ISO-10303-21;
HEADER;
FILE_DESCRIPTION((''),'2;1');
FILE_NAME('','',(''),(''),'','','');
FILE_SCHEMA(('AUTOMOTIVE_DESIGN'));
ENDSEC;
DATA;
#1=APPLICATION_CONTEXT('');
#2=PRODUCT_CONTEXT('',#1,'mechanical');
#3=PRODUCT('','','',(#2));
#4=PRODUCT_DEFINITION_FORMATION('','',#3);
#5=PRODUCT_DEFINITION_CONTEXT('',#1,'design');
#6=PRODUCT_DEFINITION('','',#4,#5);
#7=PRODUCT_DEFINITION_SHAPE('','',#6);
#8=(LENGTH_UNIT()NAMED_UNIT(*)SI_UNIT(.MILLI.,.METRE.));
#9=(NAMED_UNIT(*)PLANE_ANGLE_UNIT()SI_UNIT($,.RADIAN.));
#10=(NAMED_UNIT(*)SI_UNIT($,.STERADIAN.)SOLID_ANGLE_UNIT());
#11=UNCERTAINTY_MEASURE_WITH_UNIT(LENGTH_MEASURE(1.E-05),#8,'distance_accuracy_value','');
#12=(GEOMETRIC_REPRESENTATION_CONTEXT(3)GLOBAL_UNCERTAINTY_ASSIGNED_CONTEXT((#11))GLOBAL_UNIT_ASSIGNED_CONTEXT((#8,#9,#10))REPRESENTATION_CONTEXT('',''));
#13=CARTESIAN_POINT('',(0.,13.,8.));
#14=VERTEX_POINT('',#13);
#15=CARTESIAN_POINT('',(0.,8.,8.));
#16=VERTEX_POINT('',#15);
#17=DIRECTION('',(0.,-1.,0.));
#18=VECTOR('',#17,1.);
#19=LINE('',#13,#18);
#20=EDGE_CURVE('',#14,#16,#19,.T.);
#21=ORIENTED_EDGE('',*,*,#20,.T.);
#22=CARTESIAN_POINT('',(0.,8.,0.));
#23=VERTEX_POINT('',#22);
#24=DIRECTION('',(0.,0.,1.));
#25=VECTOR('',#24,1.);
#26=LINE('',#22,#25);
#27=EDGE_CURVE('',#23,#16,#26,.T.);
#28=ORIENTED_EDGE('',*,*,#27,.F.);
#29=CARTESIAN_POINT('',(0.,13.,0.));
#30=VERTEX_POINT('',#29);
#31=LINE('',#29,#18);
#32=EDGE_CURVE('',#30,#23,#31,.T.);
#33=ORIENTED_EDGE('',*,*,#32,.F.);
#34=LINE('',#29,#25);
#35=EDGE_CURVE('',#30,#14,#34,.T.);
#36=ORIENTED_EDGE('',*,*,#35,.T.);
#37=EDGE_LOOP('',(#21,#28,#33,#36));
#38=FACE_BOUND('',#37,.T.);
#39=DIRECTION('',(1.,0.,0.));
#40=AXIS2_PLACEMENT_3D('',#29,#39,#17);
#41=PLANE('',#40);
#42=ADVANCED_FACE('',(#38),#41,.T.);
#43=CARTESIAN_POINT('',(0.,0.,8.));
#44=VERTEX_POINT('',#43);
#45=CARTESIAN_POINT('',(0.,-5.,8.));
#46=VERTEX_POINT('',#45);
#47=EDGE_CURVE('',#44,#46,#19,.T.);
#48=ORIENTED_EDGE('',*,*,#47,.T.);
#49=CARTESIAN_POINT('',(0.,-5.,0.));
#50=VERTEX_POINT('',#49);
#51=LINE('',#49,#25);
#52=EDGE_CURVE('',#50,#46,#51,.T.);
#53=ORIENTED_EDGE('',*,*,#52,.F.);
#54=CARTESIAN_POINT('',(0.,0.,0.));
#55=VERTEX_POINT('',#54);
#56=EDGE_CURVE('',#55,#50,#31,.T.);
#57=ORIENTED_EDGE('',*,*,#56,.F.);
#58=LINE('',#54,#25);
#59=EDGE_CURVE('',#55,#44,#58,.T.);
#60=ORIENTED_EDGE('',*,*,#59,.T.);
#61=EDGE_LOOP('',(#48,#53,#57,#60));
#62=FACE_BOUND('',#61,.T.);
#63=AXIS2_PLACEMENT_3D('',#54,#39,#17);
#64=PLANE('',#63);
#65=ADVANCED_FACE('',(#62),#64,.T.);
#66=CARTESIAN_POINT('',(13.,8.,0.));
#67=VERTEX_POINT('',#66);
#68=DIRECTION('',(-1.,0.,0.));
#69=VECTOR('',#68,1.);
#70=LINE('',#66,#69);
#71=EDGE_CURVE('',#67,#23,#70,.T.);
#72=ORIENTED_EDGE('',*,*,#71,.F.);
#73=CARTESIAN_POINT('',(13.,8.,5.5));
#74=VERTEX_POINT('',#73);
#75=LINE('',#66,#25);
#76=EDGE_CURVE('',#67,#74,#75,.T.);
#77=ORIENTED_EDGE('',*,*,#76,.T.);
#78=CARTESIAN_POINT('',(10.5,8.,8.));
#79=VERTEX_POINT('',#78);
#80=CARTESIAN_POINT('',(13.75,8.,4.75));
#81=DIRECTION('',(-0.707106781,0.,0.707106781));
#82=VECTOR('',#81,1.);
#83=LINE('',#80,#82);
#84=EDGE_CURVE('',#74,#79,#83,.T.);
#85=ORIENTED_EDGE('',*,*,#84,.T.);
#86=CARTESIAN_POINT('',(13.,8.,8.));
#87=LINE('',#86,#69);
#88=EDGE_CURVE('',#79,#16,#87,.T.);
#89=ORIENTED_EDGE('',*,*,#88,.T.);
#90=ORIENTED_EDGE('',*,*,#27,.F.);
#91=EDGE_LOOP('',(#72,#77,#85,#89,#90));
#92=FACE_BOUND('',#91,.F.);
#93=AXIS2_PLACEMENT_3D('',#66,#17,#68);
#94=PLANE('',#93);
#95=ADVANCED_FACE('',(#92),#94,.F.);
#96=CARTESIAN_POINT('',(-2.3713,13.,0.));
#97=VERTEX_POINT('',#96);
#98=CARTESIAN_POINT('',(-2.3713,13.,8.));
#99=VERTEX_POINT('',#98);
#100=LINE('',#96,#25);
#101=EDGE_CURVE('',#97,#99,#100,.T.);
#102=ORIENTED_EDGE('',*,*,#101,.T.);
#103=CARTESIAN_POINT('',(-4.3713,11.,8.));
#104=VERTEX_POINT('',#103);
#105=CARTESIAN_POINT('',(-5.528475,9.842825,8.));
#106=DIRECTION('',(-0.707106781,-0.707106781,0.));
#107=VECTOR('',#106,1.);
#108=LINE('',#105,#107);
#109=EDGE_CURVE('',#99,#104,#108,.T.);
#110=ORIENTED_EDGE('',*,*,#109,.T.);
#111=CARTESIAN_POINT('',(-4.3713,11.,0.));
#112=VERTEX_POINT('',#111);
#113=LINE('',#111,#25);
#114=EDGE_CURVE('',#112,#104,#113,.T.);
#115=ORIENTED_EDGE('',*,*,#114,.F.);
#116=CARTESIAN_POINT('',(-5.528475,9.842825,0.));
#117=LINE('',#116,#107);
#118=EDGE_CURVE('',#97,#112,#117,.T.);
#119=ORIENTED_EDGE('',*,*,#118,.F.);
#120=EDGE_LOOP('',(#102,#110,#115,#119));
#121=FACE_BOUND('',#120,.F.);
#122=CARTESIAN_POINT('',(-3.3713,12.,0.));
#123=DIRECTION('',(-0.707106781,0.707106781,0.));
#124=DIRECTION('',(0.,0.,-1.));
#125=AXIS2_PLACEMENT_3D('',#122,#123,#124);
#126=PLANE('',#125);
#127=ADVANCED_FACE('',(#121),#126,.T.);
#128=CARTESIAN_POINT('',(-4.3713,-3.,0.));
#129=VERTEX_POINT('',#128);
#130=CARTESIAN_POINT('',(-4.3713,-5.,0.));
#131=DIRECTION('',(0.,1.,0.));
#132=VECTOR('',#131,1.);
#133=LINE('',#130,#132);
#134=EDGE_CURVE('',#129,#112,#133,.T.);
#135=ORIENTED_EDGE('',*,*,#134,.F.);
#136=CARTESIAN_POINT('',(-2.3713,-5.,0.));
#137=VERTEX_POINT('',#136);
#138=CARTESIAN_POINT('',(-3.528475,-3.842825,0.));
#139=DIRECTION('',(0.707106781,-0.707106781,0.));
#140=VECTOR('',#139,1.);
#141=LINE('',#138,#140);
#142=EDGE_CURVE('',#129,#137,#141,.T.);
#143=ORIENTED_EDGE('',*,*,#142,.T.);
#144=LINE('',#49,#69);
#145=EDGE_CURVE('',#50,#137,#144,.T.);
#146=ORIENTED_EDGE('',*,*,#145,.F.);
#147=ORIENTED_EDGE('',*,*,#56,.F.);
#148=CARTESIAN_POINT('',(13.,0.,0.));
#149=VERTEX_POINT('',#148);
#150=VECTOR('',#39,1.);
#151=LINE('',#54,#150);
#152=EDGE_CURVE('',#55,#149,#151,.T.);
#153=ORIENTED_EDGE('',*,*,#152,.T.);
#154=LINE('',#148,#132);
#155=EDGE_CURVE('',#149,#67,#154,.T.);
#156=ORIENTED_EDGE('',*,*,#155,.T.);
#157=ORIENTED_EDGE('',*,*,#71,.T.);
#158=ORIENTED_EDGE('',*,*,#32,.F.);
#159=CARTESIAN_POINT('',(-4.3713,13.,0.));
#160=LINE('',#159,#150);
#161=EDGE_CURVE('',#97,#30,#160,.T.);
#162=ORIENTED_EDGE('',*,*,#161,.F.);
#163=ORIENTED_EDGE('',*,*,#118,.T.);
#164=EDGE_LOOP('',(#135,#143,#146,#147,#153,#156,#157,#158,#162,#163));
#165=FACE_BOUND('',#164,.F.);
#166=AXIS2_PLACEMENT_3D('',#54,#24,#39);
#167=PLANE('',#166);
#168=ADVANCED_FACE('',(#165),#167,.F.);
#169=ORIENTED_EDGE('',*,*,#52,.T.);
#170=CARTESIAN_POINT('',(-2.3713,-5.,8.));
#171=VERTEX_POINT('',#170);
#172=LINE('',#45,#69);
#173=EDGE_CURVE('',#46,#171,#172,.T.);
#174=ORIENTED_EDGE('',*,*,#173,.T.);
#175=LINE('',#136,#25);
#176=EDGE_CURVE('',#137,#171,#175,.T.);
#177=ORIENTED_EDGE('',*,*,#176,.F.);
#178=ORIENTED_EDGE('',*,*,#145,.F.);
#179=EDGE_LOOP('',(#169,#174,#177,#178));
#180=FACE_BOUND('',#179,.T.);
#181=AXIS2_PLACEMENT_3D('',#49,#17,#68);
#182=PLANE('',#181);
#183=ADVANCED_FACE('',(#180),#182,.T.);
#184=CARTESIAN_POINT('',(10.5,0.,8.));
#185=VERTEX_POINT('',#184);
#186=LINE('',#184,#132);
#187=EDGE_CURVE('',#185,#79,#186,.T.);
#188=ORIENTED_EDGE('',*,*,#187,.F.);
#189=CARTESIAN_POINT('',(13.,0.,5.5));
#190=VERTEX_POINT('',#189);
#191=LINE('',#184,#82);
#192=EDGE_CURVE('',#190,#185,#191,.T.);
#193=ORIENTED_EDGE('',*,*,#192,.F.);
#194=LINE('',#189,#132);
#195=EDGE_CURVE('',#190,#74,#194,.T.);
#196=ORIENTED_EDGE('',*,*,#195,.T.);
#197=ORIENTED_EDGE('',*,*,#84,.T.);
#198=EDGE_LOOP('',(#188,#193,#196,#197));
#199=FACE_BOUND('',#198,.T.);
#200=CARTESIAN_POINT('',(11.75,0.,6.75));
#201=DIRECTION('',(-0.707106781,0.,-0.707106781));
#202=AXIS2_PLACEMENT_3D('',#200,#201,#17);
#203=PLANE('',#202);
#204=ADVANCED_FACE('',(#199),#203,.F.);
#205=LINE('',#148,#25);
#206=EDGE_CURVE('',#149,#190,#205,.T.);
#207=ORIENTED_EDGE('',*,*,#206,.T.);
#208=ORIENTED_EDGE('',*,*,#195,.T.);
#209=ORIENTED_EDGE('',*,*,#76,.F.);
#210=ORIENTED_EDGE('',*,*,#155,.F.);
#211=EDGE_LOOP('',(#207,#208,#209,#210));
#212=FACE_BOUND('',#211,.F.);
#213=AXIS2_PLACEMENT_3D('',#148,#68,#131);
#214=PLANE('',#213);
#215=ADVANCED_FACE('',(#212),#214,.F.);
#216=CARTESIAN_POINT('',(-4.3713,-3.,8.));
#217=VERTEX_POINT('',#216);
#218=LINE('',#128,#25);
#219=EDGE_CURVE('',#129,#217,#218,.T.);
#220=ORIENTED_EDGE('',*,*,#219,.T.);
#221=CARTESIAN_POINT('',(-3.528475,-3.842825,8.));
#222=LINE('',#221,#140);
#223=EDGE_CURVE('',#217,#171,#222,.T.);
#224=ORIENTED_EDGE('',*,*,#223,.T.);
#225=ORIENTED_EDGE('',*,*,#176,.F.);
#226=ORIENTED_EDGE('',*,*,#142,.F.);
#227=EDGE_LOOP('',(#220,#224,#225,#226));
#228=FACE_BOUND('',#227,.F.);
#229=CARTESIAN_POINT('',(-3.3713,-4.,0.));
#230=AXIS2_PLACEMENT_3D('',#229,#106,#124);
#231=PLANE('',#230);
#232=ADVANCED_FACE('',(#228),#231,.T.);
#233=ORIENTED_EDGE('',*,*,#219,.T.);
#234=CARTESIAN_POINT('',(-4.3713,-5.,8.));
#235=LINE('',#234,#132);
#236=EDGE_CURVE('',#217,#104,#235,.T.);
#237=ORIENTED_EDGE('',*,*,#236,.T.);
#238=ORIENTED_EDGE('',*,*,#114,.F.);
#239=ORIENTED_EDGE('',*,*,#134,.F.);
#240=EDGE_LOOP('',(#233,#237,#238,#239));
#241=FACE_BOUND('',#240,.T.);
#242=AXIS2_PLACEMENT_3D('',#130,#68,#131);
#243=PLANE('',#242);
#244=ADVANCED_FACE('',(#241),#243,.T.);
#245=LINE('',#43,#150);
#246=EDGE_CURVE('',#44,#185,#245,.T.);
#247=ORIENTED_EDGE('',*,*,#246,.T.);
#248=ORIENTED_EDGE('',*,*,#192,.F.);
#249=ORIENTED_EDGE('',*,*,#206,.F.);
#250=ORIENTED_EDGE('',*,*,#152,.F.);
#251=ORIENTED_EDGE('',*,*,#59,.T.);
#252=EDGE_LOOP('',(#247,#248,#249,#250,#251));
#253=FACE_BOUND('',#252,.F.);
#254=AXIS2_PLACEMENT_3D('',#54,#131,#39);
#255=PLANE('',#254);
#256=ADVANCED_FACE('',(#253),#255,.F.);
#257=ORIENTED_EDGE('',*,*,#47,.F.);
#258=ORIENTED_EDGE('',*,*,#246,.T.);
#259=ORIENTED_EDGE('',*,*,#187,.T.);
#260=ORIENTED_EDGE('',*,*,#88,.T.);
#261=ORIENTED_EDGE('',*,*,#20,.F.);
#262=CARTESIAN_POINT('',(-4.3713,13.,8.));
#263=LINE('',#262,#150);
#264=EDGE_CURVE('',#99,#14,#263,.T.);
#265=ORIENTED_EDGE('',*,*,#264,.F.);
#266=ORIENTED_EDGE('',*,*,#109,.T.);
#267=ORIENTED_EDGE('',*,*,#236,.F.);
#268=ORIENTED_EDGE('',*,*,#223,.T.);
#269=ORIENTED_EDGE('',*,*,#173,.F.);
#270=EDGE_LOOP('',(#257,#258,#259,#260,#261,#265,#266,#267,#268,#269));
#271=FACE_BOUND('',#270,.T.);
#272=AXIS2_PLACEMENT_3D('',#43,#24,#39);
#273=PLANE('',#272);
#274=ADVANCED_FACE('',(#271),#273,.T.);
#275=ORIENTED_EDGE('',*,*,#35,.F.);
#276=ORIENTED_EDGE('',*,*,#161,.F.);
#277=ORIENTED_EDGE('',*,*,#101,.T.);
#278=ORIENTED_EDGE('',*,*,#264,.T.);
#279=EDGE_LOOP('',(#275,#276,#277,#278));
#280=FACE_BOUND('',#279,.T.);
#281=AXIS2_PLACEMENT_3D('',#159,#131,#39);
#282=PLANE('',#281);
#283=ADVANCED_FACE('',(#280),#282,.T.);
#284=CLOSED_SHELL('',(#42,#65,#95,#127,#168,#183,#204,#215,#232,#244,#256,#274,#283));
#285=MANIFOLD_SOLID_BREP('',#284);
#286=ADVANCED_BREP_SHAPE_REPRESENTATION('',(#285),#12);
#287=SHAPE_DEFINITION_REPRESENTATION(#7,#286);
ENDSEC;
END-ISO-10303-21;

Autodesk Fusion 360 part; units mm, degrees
sketch "Schizzo1" plane through (0, 0, 0) normal (0, 0, 1) x (1, 0, 0)
  line L0 (0, 0) -> (13, 0)
  line L1 (13, 0) -> (13, 8)
  line L2 (13, 8) -> (0, 8)
  line L3 (0, 8) -> (0, 0)
  line L4 (0, -5) -> (-4.3713, -5)
  line L5 (-4.3713, -5) -> (-4.3713, 13)
  line L6 (-4.3713, 13) -> (0, 13)
  line L7 (0, 13) -> (0, -5)
  dimension "d1" = 13
  dimension "d2" = 8
  dimension "d3" = 5
  dimension "d4" = 5
extrude "Estrusione1" add sketch "Schizzo1" along normal blind 6.5 makes body 1
chamfer "Smusso1" distance 3.5 angle 45 2 edges at (-4.3713, -5, 3.25) (-4.3713, 13, 3.25) on bodies 1
extrude "Estrusione2" add sketch "Schizzo1" along normal blind 8 separate body makes body 2
chamfer "Smusso2" distance 2 angle 45 2 edges at (-4.3713, -5, 4) (-4.3713, 13, 4) on bodies 2
chamfer "Smusso3" distance 2.5 angle 45 1 edges at (13, 4, 8) on bodies 2
hidden bodies 1
